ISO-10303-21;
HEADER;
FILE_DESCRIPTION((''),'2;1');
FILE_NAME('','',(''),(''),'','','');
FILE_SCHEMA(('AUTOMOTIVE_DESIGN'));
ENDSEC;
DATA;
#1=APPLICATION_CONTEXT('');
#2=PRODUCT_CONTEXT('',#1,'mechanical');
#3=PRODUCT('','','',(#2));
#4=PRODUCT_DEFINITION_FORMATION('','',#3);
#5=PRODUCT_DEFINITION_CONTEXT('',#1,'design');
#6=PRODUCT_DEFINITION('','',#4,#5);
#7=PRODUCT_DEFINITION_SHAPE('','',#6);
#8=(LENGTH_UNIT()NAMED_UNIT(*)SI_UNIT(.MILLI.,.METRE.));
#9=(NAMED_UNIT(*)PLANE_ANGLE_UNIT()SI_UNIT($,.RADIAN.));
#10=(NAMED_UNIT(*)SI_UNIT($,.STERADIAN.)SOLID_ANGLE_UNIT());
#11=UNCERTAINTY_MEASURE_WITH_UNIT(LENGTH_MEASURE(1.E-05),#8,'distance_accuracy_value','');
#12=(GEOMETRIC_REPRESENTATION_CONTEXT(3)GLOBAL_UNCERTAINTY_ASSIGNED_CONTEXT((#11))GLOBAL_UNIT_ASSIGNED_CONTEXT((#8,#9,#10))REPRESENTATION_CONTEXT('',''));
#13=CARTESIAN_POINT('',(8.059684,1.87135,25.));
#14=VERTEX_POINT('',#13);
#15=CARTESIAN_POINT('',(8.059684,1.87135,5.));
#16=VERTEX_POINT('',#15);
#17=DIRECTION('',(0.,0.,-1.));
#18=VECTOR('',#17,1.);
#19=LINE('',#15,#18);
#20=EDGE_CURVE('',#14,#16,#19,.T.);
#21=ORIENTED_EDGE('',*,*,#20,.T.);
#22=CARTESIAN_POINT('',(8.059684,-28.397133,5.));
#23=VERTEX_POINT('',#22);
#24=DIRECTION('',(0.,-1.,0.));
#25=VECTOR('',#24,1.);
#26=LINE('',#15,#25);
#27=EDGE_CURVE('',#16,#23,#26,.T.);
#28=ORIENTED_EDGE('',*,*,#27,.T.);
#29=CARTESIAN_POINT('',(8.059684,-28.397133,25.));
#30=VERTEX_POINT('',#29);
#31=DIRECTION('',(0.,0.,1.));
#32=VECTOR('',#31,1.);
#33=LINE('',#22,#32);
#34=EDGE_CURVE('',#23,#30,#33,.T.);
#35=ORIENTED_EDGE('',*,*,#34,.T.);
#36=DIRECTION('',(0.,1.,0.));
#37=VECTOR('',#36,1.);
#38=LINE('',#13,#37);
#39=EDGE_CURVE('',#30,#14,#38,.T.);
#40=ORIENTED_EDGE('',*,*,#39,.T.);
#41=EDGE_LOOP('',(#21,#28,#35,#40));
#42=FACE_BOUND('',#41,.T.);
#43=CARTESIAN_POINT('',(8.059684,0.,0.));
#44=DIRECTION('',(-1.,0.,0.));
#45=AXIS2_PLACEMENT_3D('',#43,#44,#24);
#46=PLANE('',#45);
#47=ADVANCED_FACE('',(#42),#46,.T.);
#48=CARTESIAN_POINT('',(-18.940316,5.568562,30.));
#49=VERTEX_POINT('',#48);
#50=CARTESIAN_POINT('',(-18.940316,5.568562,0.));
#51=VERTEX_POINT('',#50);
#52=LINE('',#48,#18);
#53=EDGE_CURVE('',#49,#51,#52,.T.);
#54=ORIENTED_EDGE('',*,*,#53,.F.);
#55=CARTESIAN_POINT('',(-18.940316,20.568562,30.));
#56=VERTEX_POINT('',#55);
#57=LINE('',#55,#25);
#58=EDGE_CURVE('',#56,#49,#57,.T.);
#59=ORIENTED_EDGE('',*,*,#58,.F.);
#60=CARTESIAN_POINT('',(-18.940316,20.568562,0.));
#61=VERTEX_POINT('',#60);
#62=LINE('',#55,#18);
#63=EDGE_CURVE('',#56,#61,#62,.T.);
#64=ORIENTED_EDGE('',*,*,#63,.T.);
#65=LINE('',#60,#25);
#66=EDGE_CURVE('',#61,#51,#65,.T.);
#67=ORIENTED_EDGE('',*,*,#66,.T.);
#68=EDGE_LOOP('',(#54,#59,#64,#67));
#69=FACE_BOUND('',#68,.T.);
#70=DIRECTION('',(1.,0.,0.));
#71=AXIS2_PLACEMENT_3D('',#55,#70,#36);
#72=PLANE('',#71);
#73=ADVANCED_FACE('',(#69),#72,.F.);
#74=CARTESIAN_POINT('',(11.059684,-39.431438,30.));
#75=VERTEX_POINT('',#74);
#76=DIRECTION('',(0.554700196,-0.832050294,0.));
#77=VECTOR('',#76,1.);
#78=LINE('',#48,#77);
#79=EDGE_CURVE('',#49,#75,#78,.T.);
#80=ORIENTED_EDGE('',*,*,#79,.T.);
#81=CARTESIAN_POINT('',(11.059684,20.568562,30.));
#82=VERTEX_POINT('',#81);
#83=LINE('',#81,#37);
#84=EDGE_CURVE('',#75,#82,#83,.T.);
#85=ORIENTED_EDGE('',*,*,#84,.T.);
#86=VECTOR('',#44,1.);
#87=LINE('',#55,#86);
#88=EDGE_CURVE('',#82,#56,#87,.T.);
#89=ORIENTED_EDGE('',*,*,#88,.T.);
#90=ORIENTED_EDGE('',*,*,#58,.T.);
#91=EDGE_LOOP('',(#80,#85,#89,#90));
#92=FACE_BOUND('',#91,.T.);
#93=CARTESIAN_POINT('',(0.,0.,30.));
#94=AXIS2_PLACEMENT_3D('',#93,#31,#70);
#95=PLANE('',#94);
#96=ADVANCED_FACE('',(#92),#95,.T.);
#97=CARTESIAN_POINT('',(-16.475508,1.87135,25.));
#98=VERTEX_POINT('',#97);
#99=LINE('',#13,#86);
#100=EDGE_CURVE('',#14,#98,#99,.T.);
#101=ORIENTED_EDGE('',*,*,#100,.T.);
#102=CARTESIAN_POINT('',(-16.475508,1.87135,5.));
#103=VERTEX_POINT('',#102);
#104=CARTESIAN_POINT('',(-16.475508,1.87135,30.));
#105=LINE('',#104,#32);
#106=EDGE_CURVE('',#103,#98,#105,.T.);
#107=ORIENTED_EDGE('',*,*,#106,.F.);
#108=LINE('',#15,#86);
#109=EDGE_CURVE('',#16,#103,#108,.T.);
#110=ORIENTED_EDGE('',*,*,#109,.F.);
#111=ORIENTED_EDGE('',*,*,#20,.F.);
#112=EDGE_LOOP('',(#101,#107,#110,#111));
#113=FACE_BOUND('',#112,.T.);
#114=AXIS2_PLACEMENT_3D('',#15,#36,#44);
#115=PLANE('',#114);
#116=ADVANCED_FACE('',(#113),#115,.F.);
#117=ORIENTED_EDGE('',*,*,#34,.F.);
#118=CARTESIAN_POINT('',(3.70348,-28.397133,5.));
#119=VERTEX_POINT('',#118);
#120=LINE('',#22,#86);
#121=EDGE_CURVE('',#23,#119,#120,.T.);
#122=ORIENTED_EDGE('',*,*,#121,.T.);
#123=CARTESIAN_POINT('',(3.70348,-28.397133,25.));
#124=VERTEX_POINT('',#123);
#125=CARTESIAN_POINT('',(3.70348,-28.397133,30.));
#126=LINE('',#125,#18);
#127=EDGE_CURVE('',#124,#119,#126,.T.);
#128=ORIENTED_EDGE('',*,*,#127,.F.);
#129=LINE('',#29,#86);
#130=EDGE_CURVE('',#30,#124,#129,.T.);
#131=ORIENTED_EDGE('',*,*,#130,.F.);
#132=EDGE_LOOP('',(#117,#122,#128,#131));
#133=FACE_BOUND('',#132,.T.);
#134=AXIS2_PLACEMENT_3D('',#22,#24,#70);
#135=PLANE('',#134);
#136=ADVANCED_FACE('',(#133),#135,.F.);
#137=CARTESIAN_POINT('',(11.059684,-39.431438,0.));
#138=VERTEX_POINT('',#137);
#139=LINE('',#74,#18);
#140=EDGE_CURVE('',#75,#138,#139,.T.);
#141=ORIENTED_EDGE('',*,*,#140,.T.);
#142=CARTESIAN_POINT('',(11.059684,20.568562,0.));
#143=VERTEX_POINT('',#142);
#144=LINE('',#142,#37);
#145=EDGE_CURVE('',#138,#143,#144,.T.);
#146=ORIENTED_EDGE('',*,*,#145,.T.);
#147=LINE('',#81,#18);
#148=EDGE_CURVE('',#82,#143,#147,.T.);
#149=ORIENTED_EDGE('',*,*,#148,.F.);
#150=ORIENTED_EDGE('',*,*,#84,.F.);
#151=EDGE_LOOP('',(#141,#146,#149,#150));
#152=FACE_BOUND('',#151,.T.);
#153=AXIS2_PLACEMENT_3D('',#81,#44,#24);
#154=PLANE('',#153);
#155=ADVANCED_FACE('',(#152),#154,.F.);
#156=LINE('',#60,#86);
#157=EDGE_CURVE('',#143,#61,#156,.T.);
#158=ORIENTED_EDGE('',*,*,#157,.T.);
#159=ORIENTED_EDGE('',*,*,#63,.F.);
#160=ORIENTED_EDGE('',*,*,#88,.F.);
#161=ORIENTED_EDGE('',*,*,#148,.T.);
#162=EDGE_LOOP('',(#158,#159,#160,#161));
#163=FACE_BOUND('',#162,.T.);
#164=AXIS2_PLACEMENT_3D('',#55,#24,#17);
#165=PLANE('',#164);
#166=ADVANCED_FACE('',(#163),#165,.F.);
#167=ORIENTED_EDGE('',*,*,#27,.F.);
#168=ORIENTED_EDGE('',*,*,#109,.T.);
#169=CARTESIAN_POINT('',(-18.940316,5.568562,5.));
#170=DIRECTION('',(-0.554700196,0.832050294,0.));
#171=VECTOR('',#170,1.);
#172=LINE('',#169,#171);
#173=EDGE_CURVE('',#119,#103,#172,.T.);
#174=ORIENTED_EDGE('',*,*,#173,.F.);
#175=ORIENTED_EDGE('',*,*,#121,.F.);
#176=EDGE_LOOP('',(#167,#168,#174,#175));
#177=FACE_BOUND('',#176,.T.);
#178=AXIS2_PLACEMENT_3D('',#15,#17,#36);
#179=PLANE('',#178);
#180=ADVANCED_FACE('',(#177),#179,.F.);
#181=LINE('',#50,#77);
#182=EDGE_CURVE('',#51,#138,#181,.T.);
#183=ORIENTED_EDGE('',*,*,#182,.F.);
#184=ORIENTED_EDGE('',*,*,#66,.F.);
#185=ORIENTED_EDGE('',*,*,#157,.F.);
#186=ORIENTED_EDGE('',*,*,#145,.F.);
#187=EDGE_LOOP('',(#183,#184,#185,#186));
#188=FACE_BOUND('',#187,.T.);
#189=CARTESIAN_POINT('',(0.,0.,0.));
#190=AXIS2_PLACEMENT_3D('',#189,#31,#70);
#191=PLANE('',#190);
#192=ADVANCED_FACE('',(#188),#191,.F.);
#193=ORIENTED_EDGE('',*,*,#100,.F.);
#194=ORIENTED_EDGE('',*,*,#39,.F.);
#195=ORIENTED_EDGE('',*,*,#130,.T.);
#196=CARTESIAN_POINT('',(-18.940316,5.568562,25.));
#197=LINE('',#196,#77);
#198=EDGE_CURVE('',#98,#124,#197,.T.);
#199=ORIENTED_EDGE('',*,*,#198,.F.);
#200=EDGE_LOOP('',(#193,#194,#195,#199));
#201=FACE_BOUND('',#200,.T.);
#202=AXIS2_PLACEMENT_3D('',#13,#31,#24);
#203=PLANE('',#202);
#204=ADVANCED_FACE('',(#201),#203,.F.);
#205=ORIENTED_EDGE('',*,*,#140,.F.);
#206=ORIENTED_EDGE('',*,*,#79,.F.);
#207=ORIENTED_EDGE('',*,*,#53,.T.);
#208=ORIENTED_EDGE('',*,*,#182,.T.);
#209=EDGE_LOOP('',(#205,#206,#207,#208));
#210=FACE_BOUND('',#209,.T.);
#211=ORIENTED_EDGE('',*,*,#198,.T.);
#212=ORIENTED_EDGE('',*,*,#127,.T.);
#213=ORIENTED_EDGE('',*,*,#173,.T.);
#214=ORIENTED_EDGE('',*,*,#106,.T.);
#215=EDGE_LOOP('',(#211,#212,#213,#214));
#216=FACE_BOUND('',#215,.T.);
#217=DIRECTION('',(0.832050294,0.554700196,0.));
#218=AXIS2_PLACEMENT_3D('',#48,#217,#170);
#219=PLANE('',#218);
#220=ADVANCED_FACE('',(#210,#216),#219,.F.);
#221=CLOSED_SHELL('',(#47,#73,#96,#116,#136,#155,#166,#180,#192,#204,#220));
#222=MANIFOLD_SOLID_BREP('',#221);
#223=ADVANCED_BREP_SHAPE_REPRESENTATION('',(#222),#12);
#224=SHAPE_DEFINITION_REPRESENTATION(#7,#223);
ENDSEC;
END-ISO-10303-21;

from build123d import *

# Parameters (mm, degrees)
EXTRUDE_1_DEPTH     = 30
SKETCH_2_W          = 20
SKETCH_2_H          = 30.268482551
CUT_EXTRUDE_1_DEPTH = 27


with BuildPart() as part:
    # 草圖1 → 填料-伸長1 (new body)
    with BuildSketch(Plane.XY):
        Polygon((-18.940316301, 5.568561873), (11.059683699, -39.431438127), (11.059683699, 20.568561873), (-18.940316301, 20.568561873), align=None)
    extrude(amount=EXTRUDE_1_DEPTH)

    # 草圖2 → 除料-伸長1 (cut)
    with BuildSketch(Plane.ZY.offset(18.940316301)):
        with Locations((15, -13.262891615)):
            Rectangle(SKETCH_2_W, SKETCH_2_H)
    extrude(amount=-CUT_EXTRUDE_1_DEPTH, mode=Mode.SUBTRACT)


solid = part.part
